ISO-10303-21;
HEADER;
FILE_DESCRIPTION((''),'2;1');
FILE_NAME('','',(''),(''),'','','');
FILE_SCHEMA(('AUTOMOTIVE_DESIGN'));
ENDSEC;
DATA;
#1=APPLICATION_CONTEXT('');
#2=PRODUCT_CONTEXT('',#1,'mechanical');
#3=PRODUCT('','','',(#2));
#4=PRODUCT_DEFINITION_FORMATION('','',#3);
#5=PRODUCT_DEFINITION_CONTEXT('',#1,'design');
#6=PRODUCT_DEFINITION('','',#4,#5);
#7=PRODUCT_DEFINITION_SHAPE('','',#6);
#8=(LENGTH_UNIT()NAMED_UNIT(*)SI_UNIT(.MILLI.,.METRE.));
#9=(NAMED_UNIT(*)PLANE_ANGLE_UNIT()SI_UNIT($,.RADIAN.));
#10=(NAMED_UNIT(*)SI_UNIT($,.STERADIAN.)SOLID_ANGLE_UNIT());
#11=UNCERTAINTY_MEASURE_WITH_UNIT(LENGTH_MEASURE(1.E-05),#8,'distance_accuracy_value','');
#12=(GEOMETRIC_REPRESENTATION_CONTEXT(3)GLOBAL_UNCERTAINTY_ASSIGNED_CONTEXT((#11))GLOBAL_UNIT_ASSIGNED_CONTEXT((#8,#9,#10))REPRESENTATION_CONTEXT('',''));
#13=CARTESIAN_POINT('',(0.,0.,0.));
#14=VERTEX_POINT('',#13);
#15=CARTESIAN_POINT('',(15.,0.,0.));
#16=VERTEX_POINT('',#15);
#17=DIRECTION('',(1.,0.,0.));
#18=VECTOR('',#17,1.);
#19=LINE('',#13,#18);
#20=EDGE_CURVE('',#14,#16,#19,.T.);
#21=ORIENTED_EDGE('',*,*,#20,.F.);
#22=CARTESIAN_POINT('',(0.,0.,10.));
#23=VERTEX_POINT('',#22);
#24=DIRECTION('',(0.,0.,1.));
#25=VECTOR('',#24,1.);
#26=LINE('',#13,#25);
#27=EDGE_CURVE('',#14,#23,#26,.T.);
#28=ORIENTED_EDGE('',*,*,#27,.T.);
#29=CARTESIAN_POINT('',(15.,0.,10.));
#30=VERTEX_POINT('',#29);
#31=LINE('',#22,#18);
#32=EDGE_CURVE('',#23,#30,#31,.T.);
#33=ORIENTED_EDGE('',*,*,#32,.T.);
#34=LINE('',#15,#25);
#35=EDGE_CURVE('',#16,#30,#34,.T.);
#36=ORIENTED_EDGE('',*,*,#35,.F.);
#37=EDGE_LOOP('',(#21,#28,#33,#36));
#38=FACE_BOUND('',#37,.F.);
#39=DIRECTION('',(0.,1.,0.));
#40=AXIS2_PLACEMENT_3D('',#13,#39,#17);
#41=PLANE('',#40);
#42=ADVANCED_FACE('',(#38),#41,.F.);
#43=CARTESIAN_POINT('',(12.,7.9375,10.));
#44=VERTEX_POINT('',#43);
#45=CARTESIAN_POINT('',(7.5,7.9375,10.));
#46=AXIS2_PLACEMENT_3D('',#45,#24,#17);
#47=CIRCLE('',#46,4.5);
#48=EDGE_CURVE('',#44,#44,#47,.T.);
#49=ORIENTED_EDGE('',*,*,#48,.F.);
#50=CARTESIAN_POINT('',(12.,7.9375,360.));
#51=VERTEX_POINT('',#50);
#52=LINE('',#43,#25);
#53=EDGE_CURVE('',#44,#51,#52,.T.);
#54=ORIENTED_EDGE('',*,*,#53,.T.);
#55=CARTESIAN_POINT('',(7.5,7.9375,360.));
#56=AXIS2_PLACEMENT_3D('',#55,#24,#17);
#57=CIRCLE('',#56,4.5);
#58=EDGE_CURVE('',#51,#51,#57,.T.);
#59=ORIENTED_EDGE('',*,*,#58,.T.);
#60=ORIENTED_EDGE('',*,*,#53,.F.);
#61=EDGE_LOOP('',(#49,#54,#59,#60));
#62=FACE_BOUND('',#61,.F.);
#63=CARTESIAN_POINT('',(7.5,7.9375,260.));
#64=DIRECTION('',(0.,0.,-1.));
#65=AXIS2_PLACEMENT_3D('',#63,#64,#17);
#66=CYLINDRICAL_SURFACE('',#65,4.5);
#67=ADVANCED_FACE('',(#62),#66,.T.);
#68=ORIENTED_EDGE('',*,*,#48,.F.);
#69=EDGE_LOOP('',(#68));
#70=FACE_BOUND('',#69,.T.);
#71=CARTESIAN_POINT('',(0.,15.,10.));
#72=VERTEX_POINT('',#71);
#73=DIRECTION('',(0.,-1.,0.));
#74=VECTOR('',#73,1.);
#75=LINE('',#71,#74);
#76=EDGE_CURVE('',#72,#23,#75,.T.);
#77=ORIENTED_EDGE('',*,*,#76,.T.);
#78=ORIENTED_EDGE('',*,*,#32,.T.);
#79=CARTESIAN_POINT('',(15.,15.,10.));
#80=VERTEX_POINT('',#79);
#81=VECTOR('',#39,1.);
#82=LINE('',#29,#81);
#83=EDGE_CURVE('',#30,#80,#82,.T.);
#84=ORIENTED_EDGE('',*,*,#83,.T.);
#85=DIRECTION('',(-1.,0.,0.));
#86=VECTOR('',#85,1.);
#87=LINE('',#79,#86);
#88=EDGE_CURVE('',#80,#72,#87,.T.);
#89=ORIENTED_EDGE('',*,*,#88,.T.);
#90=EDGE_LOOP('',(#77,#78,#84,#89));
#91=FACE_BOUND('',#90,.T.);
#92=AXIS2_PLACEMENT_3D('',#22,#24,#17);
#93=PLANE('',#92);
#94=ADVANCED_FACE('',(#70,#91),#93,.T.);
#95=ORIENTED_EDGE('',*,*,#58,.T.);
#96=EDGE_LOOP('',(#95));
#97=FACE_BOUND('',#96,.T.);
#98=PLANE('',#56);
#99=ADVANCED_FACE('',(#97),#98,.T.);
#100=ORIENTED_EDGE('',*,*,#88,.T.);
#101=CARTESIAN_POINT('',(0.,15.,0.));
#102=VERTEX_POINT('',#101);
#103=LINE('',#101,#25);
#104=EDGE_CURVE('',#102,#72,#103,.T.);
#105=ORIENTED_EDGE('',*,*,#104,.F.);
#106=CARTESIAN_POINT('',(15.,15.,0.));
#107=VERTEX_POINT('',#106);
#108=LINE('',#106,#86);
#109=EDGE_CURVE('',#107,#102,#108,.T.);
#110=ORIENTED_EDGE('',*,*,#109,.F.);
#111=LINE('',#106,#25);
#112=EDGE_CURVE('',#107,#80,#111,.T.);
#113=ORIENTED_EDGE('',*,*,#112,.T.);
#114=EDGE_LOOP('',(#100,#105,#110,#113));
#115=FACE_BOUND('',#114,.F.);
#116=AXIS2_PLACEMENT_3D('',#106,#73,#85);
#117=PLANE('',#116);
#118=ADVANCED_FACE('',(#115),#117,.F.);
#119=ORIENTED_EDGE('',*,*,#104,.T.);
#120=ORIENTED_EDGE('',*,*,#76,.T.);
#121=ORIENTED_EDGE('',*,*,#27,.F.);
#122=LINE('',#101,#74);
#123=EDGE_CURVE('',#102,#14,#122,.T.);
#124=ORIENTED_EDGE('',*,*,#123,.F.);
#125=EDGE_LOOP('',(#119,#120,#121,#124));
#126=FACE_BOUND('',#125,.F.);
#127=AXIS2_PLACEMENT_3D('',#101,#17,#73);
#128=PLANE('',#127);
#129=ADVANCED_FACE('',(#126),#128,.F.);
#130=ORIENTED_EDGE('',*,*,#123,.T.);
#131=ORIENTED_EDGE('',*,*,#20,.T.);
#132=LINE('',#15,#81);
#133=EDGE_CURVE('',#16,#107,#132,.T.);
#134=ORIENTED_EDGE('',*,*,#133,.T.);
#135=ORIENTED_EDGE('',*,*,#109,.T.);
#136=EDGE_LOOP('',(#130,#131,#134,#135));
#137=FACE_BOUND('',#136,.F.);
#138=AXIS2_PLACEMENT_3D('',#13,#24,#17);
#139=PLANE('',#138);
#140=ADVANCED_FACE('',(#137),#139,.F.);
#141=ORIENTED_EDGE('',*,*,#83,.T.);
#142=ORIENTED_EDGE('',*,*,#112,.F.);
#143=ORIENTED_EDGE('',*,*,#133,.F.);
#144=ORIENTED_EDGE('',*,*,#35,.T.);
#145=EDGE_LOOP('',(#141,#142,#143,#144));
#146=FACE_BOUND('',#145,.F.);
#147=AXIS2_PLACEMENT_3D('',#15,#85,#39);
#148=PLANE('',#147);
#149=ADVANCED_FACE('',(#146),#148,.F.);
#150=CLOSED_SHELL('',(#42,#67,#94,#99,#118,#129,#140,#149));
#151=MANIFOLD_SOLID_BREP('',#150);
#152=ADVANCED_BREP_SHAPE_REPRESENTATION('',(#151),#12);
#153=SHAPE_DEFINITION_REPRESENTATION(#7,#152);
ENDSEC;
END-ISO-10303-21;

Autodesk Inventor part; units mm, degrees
ref_plane "YZ Plane" through (0, 0, 0) normal (1, 0, 0) x (0, 1, 0)
ref_plane "XZ Plane" through (0, 0, 0) normal (0, 1, 0) x (-1, 0, 0)
ref_plane "XY Plane" through (0, 0, 0) normal (0, 0, 1) x (1, 0, 0)
sketch "Sketch1" plane through (0, 0, 0) normal (0, 0, 1) x (1, 0, 0)
  line L0 (0, 0) -> (15, 0)
  line L1 (15, 0) -> (15, 15)
  line L2 (15, 15) -> (0, 15)
  line L3 (0, 15) -> (0, 0)
  dimension "d0" = 15
  dimension "d1" = 15
extrude "Extrusion1" add sketch "Sketch1" along normal blind 10
sketch "Sketch2" plane through (0, 0, 10) normal (0, 0, 1) x (1, 0, 0)
  line L0 (0, 15) -> (7.1003, 15)
  line L1 (15, 15) -> (0, 15) projected
  line L2 (7.5, 15) -> (7.5, 0)
  line L3 (0, 15) -> (7.9375, 15)
  line L4 (0, 0) -> (0, 7.9375)
  line L5 (0, 7.9375) -> (15, 7.9375)
  circle A0 centre (7.5, 7.9375) radius 4.5
  dimension "d15" = 9
extrude "Extrusion2" add sketch "Sketch2" along normal blind 250
thread "Thread1" size "M11x1.5" class "6g" standard "ANSI Metric M Profile" full length
ref_plane "Work Plane1" through (7.5, 7.9375, 260) normal (0, 0, 1) x (1, 0, 0)
sketch "Sketch3" plane through (7.5, 7.9375, 260) normal (0, 0, 1) x (1, 0, 0)
  circle A0 centre (0, 0) radius 5.5 projected
  circle A1 centre (0, 0) radius 4.5
  point P0 (-7.5, -7.9375)
  dimension "d10" = 9
extrude "Extrusion3" add sketch "Sketch3" along normal blind 100 contours A1
thread "Thread2" size "M9x1.25" class "6g" standard "ANSI Metric M Profile" full length
properties part number "SA"
